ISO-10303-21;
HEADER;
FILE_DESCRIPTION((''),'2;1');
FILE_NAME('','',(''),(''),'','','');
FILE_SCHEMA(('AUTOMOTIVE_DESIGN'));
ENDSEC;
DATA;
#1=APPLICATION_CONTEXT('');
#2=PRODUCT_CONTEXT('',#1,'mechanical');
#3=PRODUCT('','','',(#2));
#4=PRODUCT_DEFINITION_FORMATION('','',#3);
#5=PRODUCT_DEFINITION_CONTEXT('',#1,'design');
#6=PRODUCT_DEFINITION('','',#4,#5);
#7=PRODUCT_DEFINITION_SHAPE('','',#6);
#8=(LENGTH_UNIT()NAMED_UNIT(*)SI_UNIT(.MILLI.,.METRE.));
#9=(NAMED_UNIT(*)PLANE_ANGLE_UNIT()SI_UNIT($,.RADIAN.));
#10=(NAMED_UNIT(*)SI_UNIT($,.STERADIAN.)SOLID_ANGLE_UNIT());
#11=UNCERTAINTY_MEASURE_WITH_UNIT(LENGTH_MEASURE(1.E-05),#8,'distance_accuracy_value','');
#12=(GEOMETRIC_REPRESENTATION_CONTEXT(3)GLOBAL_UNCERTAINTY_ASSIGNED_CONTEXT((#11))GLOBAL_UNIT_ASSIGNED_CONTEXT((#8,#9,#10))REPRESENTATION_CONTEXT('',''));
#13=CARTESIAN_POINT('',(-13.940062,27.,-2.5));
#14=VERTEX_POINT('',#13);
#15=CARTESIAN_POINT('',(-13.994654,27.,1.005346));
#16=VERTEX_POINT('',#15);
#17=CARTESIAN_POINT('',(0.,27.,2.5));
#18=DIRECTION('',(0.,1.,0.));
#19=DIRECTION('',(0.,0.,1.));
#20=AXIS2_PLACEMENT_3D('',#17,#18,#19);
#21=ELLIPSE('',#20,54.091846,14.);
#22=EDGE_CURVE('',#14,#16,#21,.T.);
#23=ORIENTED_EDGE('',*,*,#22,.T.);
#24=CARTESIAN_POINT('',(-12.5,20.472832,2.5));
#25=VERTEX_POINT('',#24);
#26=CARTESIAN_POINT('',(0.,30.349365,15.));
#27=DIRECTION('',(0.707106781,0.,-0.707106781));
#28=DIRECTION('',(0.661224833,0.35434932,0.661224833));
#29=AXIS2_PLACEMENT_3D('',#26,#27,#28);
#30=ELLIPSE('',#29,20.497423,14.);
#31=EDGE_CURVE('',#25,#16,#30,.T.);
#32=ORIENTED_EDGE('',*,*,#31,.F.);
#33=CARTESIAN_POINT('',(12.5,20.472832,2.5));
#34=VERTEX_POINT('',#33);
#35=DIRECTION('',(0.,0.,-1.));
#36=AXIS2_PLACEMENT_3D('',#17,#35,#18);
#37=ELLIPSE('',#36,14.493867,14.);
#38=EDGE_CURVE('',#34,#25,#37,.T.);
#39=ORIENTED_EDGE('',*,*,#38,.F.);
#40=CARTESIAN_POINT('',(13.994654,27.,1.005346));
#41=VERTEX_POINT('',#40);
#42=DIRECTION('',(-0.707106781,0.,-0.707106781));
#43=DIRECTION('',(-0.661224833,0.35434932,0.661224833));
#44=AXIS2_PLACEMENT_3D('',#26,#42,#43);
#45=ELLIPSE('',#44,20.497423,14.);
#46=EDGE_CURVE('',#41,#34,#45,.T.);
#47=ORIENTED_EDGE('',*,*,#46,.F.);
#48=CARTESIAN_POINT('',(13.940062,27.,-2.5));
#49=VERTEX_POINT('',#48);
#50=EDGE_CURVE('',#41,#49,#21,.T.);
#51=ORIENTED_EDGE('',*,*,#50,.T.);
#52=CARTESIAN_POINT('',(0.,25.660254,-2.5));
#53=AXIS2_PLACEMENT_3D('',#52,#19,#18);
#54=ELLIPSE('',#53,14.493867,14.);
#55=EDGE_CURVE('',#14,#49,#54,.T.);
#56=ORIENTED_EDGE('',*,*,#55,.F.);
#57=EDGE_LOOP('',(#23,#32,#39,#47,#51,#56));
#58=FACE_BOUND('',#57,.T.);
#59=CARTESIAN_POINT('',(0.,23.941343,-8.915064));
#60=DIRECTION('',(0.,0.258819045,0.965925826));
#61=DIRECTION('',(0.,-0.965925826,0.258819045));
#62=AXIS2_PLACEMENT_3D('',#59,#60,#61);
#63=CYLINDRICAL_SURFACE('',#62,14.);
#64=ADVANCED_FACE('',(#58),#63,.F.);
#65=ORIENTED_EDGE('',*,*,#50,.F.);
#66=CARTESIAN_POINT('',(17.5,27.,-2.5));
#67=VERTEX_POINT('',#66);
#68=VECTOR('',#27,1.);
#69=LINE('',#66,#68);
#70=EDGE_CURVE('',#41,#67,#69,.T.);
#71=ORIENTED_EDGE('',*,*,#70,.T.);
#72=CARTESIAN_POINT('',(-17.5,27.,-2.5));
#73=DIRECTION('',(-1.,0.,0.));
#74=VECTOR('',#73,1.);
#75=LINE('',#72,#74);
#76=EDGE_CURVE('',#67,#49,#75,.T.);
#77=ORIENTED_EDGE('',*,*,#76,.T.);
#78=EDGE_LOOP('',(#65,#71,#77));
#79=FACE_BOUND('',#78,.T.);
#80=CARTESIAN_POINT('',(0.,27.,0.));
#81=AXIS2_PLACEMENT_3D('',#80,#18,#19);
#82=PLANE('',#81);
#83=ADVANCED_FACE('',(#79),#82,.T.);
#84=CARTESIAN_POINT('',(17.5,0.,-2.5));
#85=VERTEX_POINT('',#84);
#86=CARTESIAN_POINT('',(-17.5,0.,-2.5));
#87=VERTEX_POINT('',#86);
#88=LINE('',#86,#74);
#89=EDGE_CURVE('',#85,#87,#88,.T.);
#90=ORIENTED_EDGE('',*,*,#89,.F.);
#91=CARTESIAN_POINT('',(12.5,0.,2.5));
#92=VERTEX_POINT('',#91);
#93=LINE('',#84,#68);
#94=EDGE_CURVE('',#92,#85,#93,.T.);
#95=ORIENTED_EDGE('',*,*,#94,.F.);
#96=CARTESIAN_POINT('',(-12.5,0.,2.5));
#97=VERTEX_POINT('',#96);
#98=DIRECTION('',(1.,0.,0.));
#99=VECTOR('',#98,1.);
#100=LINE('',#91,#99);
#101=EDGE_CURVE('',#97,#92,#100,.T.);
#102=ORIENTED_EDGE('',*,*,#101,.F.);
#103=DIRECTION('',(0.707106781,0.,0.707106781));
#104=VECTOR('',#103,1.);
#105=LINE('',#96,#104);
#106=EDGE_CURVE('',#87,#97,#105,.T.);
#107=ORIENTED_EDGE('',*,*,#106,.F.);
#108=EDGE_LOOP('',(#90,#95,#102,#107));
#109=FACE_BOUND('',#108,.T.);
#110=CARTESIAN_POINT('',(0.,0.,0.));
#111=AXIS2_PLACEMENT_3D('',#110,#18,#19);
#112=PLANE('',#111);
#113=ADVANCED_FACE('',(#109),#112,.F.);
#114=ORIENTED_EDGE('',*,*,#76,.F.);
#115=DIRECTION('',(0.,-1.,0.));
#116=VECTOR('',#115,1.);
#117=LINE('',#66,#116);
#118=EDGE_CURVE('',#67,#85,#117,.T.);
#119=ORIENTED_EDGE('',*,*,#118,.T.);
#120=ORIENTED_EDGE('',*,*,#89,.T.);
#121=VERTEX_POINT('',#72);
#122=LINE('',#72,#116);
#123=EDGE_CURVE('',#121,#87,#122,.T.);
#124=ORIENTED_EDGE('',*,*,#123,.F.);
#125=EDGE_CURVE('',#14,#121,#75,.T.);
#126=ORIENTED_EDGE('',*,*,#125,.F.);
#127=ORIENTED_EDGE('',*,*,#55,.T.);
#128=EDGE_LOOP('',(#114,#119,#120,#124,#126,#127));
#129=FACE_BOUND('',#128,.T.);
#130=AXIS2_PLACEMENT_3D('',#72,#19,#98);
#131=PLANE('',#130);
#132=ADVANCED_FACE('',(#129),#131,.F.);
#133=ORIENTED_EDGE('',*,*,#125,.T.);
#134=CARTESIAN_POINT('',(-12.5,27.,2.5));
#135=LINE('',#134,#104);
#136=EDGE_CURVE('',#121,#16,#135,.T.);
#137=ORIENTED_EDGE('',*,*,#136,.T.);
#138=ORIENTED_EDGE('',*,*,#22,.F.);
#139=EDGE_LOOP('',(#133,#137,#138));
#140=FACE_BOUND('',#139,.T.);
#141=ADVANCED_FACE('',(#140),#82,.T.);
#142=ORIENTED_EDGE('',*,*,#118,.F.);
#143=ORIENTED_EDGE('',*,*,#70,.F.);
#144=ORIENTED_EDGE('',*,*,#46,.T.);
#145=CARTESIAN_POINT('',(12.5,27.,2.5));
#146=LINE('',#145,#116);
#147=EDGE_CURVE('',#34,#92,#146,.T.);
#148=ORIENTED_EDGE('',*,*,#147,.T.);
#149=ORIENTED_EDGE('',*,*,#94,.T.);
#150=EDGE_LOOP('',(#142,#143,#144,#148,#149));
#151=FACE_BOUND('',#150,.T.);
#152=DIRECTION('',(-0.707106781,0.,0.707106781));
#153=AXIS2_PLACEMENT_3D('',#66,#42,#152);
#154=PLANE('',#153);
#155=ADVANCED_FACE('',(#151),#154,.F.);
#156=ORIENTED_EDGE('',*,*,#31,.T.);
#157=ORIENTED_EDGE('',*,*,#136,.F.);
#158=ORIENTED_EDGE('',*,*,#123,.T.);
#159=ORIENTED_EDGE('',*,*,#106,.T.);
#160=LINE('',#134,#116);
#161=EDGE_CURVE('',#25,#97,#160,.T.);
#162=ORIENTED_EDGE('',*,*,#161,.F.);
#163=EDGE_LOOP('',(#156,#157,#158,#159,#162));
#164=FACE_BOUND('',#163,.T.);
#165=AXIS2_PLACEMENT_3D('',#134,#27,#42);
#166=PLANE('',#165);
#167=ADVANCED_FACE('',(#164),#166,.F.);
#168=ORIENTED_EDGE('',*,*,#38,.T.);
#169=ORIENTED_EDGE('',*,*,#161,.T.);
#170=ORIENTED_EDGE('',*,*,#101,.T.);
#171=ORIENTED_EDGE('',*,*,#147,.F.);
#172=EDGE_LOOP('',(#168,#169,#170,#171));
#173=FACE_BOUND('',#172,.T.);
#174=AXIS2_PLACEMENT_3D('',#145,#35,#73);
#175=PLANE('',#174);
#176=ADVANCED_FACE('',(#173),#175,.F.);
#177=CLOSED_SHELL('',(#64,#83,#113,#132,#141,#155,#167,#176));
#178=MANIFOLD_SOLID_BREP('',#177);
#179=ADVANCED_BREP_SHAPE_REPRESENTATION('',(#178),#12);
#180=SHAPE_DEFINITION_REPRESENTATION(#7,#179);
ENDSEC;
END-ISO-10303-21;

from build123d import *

# Parameters (mm, degrees)
BOSS_EXTRUDE1_DEPTH     = 27
CUT_EXTRUDE1_DEPTH      = 33.019431415
CUT_EXTRUDE1_DEPTH_BACK = 33.019431415
SKETCH2_R               = 14


with BuildPart() as part:
    # Sketch1 → Boss-Extrude1 (new body)
    with BuildSketch(Plane(origin=(0, 0, 0), x_dir=(1, 0, 0), z_dir=(0, 1, 0))):
        Polygon((-17.5, 2.5), (17.5, 2.5), (12.5, -2.5), (-12.5, -2.5), align=None)
    extrude(amount=BOSS_EXTRUDE1_DEPTH)

    # Sketch2 → Cut-Extrude1 (cut, two sides: drawn at the far end of the back side and taken through both)
    with BuildSketch(Plane(origin=(0, 0.625, 2.332531755), x_dir=(1, 0, 0), z_dir=(0, 0.25881904510251796, 0.9659258262890691)).offset(-CUT_EXTRUDE1_DEPTH_BACK)):
        with Locations((0, 25.432949697)):
            Circle(SKETCH2_R)
    extrude(amount=CUT_EXTRUDE1_DEPTH + CUT_EXTRUDE1_DEPTH_BACK, mode=Mode.SUBTRACT)


solid = part.part
